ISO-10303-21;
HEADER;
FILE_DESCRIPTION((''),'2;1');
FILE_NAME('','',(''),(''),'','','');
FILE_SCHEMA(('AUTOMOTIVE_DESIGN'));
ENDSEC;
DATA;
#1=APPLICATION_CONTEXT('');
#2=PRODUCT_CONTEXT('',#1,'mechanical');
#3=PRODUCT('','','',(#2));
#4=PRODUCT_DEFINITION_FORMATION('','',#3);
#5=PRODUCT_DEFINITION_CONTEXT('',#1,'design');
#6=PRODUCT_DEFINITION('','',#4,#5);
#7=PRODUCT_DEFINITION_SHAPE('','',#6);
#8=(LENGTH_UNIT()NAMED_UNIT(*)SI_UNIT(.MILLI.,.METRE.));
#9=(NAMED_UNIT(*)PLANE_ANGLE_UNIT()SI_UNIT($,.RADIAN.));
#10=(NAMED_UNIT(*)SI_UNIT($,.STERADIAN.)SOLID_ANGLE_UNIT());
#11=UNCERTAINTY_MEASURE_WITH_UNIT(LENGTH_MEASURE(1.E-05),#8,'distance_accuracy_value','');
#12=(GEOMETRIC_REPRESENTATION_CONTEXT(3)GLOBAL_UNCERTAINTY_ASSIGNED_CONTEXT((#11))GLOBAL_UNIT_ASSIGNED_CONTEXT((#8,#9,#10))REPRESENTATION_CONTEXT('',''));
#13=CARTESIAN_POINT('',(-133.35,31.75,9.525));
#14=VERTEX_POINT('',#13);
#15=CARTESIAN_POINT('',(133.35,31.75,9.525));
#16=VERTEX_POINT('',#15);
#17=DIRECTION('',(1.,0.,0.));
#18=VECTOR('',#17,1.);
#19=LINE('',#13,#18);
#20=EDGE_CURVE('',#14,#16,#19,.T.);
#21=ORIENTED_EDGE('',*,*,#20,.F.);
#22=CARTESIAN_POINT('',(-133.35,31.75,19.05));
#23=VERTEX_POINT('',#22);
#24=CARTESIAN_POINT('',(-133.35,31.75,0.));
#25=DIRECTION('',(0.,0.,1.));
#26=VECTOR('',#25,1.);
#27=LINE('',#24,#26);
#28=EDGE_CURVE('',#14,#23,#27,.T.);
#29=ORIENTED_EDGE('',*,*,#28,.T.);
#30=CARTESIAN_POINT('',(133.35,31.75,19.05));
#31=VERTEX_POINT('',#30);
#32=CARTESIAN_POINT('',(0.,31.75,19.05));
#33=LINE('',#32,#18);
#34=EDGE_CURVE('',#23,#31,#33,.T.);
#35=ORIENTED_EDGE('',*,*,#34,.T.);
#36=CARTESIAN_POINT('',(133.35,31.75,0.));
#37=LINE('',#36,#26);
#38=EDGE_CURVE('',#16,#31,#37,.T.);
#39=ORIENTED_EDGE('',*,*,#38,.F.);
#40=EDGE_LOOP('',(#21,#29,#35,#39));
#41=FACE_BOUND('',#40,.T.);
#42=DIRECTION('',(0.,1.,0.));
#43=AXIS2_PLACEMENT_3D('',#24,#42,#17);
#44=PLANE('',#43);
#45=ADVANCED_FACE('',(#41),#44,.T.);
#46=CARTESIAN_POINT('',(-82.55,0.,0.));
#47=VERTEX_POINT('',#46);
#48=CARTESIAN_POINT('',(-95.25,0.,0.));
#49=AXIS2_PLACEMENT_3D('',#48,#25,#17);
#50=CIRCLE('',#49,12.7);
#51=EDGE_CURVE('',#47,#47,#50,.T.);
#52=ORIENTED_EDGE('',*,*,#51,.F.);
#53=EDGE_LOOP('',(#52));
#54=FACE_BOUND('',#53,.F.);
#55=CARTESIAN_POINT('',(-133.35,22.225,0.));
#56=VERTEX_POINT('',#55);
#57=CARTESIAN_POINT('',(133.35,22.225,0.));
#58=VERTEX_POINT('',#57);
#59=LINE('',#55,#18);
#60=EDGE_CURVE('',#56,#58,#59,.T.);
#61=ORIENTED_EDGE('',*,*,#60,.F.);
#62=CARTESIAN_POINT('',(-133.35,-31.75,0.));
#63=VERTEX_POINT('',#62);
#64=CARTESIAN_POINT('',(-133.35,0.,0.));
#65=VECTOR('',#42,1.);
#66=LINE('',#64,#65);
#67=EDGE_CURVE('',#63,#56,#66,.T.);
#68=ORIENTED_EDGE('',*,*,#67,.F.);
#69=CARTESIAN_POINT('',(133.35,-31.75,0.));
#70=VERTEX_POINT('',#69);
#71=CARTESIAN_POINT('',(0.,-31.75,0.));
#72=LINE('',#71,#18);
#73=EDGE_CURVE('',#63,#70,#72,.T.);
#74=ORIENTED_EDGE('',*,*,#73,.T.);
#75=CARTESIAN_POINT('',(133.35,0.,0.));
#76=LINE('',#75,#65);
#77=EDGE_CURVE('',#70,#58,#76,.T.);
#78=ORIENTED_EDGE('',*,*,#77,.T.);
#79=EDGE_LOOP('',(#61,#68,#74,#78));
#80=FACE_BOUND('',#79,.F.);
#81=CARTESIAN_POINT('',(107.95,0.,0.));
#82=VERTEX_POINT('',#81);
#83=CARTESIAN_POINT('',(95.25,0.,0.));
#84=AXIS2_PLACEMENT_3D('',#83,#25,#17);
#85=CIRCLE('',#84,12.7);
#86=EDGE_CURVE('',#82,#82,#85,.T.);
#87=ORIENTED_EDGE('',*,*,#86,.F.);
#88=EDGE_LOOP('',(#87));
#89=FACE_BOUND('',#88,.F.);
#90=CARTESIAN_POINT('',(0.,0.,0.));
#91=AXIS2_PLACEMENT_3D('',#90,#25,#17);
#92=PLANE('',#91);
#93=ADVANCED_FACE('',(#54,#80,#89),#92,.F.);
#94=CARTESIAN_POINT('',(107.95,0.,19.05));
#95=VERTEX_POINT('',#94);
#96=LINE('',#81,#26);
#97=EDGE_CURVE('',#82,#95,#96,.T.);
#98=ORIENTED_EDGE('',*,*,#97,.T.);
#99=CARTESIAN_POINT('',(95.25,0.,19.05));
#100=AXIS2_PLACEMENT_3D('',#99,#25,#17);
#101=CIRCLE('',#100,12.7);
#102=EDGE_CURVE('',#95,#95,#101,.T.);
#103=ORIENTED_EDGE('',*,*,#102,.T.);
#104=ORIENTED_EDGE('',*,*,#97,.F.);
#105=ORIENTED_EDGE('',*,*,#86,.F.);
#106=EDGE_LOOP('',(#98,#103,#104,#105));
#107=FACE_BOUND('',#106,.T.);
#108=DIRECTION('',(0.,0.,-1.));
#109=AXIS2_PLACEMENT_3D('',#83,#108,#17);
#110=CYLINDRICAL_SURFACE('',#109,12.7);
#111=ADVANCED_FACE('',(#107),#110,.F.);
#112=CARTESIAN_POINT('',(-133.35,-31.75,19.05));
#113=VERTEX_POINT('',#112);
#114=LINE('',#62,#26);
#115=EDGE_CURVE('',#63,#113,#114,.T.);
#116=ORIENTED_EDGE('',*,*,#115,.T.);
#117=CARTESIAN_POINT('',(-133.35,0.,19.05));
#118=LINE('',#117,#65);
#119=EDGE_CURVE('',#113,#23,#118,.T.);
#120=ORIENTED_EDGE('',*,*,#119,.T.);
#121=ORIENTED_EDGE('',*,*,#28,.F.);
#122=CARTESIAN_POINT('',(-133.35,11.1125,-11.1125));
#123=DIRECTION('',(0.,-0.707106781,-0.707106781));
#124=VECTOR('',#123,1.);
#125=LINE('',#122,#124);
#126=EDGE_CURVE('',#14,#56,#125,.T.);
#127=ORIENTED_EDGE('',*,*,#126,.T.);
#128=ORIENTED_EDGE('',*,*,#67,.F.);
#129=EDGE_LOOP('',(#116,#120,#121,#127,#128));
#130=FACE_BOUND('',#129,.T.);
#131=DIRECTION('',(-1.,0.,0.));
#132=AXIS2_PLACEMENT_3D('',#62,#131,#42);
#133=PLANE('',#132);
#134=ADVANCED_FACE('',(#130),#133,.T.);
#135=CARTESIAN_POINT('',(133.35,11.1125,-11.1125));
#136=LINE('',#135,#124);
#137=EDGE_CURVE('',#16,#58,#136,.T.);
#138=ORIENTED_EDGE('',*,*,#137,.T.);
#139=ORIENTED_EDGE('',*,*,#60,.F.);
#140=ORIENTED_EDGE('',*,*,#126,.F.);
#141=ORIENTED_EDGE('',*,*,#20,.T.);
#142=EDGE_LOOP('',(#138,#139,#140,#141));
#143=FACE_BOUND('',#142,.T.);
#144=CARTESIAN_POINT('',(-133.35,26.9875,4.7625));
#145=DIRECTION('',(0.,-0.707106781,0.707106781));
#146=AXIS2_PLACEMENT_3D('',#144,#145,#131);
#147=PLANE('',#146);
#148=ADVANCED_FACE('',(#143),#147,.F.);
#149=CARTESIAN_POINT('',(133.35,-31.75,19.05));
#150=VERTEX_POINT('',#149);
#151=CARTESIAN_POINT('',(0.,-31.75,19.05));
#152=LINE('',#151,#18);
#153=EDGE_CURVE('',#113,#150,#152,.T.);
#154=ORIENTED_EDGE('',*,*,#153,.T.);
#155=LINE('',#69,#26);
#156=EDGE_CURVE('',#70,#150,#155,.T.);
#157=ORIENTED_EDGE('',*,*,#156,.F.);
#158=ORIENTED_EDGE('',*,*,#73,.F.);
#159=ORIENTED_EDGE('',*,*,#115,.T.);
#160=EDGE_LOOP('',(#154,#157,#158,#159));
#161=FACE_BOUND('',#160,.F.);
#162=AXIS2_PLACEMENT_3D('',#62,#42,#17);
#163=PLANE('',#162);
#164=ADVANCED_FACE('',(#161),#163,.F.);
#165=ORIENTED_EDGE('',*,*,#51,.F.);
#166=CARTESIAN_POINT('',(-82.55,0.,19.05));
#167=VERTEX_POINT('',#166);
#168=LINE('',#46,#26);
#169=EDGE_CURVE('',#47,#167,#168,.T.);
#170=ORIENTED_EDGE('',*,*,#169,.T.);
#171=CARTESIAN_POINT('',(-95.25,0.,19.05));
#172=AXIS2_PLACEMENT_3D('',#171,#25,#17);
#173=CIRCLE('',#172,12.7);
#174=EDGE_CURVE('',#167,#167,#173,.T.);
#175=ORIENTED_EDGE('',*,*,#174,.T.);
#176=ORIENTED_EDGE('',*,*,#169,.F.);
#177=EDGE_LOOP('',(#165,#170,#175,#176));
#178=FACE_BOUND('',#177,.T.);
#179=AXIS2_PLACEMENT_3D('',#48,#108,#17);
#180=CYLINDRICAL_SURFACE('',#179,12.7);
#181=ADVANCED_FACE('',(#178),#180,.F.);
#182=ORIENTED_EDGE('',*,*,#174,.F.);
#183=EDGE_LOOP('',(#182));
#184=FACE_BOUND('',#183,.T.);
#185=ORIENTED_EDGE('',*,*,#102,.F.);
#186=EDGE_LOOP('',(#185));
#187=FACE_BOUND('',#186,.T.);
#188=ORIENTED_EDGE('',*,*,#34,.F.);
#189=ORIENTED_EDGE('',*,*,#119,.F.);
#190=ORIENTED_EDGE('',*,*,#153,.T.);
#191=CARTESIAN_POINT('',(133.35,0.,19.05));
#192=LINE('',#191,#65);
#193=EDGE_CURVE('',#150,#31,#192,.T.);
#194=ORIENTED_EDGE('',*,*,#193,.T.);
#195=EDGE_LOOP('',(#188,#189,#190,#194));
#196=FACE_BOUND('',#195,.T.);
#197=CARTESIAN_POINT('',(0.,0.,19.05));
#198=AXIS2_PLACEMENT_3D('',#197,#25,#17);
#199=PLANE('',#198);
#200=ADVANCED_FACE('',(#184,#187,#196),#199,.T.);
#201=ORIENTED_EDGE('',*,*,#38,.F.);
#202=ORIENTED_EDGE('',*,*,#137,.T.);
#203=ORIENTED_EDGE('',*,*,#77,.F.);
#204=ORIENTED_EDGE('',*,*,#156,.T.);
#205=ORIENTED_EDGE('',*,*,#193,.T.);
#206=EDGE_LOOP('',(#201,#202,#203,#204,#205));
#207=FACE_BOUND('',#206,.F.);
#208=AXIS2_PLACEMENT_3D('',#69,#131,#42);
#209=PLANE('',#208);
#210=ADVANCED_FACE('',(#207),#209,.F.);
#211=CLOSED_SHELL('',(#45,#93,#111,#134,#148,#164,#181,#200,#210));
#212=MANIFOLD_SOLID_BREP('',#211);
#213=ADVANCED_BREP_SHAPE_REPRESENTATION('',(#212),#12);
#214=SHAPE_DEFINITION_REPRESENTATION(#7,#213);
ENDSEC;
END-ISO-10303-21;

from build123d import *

# Parameters (mm, degrees)
F0_W     = 266.7
F0_H     = 63.5
F0_R     = 12.7
F1_DEPTH = 19.05
F2_SIZE  = 9.525


with BuildPart() as f1:
    # F0 (on Top) → F1 (new body)
    with BuildSketch(Plane.XY):
        Rectangle(F0_W, F0_H)
        with Locations((-95.25, 0)):
            Circle(F0_R, mode=Mode.SUBTRACT)
        with Locations((95.25, 0)):
            Circle(F0_R, mode=Mode.SUBTRACT)
    extrude(amount=F1_DEPTH)

    # F2
    f2_edges = [f1.edges().sort_by_distance(p)[0] for p in [
        (0, 31.75, 0),
    ]]
    chamfer(f2_edges, length=F2_SIZE)


solid = f1.part
